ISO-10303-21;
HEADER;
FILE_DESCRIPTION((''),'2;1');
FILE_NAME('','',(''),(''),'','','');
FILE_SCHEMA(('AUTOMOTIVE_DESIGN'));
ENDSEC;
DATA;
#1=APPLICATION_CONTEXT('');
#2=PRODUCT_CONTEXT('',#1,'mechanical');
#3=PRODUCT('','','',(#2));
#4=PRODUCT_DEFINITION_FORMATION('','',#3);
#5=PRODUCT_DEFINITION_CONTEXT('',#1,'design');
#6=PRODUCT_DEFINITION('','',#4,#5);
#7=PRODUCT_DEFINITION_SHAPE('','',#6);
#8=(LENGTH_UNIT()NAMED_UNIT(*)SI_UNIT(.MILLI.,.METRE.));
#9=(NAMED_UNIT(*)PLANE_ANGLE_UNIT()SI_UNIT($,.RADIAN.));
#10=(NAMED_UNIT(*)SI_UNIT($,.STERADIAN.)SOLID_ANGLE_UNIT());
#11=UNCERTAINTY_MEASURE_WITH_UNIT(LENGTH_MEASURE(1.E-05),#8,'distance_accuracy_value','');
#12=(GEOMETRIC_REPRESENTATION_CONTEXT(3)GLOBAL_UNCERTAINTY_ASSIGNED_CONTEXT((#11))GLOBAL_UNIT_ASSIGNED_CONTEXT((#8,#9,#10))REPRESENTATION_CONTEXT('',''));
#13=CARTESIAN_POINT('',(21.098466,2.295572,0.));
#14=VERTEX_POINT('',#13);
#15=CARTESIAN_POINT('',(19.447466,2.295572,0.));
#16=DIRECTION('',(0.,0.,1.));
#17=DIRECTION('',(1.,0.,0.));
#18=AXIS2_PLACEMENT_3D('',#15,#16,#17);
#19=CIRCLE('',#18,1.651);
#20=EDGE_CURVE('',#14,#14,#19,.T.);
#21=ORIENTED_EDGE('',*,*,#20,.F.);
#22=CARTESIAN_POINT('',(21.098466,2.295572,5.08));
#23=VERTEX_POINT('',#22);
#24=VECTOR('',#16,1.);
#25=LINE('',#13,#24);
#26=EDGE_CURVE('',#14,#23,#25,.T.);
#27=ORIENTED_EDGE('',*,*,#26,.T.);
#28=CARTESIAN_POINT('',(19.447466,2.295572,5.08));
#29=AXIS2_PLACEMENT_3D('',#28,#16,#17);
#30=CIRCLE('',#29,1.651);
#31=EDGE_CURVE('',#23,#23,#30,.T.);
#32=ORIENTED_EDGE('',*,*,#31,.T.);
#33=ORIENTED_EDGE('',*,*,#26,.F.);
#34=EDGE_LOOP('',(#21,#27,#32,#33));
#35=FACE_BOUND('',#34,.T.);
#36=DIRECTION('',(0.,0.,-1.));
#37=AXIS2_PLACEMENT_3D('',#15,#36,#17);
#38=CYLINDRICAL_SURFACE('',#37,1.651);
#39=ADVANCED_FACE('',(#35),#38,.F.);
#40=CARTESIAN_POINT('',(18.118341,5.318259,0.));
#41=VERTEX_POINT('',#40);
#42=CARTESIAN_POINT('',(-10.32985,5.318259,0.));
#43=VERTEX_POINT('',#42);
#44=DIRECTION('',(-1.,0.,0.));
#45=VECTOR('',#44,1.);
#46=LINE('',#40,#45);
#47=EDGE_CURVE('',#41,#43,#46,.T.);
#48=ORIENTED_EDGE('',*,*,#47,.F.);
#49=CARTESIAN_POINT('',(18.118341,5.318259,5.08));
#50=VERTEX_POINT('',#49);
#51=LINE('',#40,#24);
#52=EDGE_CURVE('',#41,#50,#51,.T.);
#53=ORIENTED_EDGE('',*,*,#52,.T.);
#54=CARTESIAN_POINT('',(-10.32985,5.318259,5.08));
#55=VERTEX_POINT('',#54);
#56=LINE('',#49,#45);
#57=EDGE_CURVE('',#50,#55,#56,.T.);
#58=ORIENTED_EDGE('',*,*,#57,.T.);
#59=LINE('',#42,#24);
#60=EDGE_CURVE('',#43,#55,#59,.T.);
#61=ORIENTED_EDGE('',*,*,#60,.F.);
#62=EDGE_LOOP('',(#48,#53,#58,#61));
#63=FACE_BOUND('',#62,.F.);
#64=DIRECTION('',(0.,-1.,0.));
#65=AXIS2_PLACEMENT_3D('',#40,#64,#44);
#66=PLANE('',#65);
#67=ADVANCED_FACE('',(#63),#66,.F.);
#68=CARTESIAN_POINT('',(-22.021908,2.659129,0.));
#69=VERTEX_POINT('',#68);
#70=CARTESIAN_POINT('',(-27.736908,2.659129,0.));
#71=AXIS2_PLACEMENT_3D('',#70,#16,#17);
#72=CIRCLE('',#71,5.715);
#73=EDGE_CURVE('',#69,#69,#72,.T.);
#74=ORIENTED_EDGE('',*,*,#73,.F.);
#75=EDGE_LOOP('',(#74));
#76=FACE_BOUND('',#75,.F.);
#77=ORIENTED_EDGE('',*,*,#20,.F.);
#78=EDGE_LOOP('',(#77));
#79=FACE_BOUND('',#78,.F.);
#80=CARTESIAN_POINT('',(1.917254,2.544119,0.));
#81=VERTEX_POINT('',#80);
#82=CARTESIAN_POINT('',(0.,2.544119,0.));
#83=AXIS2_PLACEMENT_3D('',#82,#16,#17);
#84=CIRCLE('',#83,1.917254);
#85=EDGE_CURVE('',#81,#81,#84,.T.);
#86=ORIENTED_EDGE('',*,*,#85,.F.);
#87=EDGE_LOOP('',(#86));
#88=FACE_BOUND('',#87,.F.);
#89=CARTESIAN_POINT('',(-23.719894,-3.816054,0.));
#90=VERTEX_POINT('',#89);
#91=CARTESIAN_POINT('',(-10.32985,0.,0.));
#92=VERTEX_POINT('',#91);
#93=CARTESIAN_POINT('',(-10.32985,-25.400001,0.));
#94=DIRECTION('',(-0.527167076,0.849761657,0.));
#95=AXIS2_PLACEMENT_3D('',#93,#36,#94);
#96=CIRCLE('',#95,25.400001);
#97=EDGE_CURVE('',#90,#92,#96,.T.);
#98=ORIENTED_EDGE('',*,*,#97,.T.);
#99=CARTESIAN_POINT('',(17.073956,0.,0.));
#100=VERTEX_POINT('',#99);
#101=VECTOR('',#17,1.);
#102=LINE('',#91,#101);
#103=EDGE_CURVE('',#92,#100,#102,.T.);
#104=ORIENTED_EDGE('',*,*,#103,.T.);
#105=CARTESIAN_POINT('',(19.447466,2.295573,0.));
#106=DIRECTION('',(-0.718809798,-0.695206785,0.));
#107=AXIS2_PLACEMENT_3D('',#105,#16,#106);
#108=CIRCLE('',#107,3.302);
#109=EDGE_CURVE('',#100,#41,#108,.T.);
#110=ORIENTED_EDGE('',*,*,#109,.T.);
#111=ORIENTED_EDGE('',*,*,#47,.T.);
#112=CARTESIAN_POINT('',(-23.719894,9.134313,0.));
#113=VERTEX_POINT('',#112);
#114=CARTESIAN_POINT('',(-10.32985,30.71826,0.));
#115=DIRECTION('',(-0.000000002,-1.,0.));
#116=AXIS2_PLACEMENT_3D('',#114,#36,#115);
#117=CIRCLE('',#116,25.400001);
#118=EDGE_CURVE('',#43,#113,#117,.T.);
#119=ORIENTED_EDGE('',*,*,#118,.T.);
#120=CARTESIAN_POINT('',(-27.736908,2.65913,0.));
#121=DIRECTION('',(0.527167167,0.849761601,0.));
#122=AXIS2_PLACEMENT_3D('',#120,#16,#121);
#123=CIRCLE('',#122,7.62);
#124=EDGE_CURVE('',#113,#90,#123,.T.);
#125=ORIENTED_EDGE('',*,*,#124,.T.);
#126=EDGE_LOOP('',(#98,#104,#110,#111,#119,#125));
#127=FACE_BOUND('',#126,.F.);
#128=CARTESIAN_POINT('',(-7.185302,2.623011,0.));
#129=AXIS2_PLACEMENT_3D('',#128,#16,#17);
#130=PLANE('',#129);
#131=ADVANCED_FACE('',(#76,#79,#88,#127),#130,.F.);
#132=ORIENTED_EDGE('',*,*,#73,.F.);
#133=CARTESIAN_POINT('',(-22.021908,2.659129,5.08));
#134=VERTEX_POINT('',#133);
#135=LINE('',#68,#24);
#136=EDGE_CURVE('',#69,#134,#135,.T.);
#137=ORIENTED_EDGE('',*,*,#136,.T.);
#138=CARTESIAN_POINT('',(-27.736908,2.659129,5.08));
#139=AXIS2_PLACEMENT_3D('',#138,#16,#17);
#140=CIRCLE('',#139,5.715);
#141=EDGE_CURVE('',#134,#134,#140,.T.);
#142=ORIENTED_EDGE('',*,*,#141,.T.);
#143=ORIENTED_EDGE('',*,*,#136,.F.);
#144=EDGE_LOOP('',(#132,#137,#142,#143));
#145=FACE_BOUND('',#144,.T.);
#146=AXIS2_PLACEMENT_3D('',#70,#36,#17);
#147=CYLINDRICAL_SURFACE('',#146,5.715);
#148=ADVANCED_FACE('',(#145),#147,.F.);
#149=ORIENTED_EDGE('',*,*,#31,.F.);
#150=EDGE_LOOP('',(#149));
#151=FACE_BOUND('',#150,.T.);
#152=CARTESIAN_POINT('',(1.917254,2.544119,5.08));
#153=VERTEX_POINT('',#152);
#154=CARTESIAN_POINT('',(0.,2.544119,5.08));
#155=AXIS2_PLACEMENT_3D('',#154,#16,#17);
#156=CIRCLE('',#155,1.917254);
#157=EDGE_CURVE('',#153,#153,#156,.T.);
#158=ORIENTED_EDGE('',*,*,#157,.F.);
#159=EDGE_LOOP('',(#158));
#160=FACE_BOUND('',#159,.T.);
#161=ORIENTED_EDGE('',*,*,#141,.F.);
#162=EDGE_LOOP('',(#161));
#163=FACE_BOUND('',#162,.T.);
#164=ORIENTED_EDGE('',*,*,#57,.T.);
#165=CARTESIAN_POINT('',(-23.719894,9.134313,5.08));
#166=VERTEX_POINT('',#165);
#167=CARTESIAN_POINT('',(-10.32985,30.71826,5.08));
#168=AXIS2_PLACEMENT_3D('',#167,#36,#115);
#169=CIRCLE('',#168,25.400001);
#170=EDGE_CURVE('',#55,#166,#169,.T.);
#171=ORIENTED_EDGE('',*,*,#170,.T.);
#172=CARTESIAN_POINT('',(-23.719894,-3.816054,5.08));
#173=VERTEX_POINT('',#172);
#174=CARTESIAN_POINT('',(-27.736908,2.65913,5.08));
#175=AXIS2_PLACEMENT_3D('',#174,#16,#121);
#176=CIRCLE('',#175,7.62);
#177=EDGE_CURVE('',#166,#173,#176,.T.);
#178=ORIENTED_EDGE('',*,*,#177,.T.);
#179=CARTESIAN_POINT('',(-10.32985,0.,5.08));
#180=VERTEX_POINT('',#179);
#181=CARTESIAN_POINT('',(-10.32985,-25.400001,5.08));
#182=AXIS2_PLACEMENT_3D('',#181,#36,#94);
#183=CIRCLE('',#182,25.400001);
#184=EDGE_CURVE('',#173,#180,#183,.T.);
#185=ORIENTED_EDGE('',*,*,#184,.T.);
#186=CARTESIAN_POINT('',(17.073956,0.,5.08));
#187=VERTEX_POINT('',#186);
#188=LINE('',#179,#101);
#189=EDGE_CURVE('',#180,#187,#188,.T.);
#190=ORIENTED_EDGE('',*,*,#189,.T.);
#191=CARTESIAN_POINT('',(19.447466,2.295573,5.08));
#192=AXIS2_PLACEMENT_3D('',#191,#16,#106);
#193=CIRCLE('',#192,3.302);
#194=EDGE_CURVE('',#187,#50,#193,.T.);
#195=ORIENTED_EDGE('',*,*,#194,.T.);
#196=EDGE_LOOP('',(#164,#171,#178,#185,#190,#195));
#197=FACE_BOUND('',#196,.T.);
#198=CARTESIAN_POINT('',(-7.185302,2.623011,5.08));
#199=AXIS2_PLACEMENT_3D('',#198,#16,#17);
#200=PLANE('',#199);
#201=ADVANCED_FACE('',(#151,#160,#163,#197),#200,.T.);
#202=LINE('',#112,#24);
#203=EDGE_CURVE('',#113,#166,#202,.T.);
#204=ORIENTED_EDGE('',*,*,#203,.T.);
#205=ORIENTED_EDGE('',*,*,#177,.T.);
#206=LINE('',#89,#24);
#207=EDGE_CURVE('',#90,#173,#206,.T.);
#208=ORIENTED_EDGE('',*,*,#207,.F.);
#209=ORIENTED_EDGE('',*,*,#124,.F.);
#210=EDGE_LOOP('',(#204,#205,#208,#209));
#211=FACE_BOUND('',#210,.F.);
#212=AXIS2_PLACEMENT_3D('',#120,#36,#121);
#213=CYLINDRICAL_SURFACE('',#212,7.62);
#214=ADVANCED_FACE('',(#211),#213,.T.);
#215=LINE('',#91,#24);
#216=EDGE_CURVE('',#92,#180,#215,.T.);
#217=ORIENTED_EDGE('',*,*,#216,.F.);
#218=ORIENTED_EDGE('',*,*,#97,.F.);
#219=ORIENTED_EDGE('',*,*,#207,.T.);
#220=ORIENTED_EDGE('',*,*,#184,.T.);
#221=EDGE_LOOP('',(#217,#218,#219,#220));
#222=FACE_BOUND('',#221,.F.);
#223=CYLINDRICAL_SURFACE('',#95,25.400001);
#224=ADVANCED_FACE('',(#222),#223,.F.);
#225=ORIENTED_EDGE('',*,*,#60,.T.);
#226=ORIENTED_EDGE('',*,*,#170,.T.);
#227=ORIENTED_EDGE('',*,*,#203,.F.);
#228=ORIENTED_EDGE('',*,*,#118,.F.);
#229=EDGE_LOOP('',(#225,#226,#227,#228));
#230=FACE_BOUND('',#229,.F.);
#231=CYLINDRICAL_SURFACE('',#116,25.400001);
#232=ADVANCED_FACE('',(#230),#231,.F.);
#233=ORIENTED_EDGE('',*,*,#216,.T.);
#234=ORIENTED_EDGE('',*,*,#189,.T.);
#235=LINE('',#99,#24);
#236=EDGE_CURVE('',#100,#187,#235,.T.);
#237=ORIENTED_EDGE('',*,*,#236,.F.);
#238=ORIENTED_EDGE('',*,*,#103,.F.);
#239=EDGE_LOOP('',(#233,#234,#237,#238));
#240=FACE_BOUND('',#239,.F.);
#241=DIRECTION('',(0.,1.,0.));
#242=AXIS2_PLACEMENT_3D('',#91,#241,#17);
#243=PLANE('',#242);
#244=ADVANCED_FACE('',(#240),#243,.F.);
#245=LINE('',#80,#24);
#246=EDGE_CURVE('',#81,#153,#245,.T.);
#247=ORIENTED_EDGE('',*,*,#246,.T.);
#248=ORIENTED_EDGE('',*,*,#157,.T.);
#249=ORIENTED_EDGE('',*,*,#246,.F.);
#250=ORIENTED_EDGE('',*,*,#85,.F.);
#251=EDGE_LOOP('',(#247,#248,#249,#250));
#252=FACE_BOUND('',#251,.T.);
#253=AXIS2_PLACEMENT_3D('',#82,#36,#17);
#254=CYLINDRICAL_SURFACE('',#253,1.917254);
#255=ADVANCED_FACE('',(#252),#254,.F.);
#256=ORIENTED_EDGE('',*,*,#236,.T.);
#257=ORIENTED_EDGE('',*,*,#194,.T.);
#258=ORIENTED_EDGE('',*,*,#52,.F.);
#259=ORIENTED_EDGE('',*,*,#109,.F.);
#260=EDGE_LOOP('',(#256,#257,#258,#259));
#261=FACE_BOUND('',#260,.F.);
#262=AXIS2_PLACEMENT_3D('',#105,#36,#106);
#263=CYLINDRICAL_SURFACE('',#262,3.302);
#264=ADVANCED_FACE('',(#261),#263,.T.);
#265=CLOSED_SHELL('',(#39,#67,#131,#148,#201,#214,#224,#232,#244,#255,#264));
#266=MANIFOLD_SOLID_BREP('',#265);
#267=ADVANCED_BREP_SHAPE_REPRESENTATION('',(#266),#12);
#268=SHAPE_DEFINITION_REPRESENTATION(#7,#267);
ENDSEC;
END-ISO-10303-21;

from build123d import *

# Parameters (mm, degrees)
F0_R     = 1.917254
F0_R_2   = 1.651
F0_R_3   = 5.715
F1_DEPTH = 5.08


with BuildPart() as f1:
    # F0 (on Top) → F1 (new body)
    with BuildSketch(Plane.XY):
        with BuildLine():
            ThreePointArc((-23.719894, -3.816054), (-17.291451, -0.972636), (-10.32985, 0))
            Line((-10.32985, 0), (17.073956, 0))
            ThreePointArc((17.073956, 0), (22.687581, 1.659287), (18.118341, 5.318259))
            Line((18.118341, 5.318259), (-10.32985, 5.318259))
            ThreePointArc((-10.32985, 5.318259), (-17.291451, 6.290895), (-23.719894, 9.134313))
            ThreePointArc((-23.719894, 9.134313), (-35.356908, 2.659129), (-23.719894, -3.816054))
        make_face()
        with Locations((0, 2.544119)):
            Circle(F0_R, mode=Mode.SUBTRACT)
        with Locations((19.447466, 2.295572)):
            Circle(F0_R_2, mode=Mode.SUBTRACT)
        with Locations((-27.736908, 2.659129)):
            Circle(F0_R_3, mode=Mode.SUBTRACT)
    extrude(amount=F1_DEPTH)


solid = f1.part
